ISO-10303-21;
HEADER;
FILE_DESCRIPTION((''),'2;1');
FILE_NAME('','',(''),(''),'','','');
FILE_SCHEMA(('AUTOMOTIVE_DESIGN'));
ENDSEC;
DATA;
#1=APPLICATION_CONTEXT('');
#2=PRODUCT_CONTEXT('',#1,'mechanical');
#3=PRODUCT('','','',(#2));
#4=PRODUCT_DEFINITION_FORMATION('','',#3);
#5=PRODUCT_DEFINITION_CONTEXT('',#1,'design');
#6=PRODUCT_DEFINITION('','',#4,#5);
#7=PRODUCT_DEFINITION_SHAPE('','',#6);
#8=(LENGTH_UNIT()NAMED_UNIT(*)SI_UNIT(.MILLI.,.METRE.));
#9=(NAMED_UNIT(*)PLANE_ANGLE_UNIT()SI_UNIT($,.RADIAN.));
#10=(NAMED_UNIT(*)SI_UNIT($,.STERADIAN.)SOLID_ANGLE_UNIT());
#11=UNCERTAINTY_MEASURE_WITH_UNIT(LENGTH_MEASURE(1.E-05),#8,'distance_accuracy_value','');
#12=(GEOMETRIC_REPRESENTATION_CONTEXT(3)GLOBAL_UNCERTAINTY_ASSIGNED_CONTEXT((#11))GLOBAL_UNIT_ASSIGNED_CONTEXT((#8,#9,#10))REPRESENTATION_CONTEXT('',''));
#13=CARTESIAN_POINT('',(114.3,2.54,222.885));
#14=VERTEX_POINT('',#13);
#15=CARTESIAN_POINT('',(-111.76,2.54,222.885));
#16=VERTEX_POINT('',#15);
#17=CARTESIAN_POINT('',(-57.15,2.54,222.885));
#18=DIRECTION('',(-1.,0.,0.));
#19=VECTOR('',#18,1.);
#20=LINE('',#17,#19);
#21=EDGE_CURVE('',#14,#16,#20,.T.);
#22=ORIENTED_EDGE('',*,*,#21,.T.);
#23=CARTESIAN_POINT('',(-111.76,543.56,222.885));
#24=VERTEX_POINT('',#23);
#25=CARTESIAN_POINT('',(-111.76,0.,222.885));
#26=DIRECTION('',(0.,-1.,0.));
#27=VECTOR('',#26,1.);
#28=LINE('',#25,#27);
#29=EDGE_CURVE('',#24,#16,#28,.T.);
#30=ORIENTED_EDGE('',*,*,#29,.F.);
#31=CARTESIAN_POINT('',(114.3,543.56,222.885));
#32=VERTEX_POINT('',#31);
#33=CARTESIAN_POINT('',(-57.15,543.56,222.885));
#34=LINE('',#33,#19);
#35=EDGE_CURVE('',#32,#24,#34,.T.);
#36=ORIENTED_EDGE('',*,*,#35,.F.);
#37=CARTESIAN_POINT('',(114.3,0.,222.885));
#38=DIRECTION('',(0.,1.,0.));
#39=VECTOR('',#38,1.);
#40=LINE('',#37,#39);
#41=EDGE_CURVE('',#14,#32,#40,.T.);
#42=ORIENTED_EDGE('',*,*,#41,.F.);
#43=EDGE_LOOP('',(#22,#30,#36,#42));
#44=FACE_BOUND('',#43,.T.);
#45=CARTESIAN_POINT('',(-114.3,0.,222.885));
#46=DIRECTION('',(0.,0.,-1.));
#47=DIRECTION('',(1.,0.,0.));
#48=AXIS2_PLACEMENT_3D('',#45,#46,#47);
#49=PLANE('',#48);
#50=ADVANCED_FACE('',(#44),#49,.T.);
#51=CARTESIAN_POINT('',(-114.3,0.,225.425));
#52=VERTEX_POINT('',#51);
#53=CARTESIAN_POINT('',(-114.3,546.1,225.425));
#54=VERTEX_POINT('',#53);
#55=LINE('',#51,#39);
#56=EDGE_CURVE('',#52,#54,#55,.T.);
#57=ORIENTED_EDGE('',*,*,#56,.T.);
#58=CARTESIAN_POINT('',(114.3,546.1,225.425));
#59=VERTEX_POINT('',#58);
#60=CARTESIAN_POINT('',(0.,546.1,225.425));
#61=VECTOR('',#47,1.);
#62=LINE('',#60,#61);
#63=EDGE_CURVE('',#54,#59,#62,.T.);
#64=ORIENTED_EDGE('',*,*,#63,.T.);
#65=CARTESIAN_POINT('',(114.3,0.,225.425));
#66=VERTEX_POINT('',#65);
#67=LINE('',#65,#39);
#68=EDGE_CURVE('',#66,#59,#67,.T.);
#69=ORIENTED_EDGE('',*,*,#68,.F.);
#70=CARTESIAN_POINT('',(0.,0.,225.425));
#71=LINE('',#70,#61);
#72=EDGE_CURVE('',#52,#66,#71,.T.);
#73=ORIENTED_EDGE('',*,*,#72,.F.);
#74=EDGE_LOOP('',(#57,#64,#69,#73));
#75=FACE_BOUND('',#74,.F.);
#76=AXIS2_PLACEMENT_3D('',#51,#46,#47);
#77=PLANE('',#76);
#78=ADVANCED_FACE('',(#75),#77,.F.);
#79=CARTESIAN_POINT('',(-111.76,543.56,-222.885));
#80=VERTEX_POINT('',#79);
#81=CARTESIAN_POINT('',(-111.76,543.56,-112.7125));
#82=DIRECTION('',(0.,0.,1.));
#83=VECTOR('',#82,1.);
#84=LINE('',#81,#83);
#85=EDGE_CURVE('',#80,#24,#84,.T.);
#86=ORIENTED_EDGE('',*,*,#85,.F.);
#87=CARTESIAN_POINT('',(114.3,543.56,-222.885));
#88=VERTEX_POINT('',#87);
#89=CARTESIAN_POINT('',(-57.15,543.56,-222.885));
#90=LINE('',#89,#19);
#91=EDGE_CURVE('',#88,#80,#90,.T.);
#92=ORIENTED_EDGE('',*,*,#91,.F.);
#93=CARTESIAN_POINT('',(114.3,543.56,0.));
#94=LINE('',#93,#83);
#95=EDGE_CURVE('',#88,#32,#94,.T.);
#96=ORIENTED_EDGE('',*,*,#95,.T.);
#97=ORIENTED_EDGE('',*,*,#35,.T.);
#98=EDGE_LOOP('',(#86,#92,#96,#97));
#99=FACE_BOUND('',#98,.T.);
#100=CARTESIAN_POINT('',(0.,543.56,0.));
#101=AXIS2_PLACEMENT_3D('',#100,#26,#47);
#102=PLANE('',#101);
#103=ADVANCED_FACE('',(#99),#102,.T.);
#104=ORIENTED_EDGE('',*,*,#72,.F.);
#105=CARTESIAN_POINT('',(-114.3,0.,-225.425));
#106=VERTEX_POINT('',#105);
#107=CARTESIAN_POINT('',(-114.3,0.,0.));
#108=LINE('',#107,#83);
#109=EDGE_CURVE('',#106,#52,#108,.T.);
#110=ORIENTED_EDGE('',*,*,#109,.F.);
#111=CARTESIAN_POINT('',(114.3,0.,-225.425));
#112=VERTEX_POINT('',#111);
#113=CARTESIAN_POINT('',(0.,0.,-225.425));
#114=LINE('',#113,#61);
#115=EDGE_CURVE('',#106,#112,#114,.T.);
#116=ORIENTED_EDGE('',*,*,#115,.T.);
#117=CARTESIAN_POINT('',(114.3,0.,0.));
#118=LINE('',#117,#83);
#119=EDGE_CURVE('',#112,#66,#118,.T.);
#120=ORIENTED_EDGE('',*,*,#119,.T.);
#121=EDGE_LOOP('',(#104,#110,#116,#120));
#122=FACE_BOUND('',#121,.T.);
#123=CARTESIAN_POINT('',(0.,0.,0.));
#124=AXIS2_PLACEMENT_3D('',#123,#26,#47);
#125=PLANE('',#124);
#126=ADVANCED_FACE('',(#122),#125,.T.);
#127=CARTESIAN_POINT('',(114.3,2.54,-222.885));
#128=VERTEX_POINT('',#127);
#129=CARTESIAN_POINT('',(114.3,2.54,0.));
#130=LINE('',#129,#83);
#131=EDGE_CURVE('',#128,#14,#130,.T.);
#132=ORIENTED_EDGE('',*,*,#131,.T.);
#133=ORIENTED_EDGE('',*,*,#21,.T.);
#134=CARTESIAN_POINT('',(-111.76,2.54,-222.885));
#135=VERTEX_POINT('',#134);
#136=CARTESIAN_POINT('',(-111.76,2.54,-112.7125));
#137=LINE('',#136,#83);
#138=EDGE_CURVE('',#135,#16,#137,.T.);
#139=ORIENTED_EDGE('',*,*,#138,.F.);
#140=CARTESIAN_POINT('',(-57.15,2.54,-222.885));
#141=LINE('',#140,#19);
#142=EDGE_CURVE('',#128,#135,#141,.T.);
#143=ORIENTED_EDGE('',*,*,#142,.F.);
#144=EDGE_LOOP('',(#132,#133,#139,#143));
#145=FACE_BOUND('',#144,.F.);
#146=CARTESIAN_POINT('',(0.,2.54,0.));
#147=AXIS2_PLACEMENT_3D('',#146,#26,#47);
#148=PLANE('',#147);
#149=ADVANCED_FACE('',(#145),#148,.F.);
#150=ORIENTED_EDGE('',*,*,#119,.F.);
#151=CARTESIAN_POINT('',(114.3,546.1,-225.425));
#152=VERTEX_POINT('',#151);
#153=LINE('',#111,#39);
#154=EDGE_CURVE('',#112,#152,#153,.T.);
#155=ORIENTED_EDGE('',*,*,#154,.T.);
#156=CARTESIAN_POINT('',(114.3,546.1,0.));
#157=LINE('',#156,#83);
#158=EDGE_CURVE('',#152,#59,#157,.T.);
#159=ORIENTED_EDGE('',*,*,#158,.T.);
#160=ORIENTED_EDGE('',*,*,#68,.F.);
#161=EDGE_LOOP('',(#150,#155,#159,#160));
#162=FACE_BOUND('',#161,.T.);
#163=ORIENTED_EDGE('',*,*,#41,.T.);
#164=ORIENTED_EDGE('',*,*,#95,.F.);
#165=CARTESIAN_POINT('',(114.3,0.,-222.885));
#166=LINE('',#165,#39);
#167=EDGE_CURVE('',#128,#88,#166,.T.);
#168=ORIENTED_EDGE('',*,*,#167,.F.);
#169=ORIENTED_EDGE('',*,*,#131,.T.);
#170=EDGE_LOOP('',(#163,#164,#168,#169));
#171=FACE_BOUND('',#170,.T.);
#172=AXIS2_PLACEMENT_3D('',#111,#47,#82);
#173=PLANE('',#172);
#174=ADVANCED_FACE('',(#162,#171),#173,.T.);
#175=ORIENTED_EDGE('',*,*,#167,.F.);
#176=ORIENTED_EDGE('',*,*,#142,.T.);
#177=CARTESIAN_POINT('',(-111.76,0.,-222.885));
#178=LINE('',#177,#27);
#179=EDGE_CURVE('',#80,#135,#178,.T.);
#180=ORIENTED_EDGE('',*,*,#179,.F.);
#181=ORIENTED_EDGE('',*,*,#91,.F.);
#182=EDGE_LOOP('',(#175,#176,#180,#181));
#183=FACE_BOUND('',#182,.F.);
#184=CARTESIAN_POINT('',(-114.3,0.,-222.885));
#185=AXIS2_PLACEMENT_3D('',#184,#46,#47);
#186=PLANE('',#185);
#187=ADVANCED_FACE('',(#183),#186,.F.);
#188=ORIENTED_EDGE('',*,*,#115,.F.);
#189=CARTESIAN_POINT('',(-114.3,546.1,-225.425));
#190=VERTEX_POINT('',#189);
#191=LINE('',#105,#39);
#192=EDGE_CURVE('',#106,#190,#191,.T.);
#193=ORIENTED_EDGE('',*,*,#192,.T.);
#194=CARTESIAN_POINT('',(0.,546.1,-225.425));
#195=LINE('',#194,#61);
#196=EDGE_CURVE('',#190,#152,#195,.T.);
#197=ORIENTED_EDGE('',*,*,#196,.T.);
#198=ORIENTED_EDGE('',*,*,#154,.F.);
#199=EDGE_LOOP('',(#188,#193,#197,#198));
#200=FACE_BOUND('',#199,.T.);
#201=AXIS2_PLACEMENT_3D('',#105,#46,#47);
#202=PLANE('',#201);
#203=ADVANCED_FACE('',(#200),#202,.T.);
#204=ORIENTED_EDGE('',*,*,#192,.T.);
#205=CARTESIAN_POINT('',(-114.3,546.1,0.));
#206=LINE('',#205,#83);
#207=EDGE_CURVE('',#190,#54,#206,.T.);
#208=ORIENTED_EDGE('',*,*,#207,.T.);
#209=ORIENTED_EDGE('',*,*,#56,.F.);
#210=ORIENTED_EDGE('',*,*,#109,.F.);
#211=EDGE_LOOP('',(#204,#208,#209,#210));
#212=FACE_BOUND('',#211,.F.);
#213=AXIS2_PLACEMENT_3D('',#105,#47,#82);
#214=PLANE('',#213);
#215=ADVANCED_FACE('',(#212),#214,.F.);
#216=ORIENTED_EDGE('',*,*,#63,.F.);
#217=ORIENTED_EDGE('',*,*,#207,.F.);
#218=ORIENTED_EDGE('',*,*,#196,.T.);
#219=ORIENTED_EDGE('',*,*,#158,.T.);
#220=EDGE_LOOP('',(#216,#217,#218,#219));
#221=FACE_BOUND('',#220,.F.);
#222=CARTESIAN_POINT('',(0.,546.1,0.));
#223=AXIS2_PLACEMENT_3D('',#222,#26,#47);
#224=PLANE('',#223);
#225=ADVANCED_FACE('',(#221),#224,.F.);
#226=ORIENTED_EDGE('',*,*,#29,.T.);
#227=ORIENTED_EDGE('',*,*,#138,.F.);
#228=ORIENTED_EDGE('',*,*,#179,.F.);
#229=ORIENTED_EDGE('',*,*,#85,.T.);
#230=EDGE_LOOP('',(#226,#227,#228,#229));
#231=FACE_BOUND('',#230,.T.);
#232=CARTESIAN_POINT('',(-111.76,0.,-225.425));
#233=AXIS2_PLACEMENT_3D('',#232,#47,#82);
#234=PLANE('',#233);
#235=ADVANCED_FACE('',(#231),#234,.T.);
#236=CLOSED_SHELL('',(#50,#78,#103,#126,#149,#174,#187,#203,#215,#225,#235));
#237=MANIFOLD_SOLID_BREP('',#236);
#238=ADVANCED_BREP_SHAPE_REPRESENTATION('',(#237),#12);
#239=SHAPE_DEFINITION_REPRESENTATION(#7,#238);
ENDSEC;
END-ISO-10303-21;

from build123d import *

# Parameters (mm, degrees)
F0_W     = 228.6
F0_H     = 450.85
F1_DEPTH = 546.1
F2_T     = -2.54


with BuildPart() as f1:
    # F0 (on Front) → F1 (new body)
    with BuildSketch(Plane.XZ):
        Rectangle(F0_W, F0_H)
    extrude(amount=-F1_DEPTH)

    # F2
    f2_openings = [f1.faces().sort_by_distance(p)[0] for p in [
        (114.3, 273.05, 0),
    ]]
    offset(amount=F2_T, openings=f2_openings)


solid = f1.part
